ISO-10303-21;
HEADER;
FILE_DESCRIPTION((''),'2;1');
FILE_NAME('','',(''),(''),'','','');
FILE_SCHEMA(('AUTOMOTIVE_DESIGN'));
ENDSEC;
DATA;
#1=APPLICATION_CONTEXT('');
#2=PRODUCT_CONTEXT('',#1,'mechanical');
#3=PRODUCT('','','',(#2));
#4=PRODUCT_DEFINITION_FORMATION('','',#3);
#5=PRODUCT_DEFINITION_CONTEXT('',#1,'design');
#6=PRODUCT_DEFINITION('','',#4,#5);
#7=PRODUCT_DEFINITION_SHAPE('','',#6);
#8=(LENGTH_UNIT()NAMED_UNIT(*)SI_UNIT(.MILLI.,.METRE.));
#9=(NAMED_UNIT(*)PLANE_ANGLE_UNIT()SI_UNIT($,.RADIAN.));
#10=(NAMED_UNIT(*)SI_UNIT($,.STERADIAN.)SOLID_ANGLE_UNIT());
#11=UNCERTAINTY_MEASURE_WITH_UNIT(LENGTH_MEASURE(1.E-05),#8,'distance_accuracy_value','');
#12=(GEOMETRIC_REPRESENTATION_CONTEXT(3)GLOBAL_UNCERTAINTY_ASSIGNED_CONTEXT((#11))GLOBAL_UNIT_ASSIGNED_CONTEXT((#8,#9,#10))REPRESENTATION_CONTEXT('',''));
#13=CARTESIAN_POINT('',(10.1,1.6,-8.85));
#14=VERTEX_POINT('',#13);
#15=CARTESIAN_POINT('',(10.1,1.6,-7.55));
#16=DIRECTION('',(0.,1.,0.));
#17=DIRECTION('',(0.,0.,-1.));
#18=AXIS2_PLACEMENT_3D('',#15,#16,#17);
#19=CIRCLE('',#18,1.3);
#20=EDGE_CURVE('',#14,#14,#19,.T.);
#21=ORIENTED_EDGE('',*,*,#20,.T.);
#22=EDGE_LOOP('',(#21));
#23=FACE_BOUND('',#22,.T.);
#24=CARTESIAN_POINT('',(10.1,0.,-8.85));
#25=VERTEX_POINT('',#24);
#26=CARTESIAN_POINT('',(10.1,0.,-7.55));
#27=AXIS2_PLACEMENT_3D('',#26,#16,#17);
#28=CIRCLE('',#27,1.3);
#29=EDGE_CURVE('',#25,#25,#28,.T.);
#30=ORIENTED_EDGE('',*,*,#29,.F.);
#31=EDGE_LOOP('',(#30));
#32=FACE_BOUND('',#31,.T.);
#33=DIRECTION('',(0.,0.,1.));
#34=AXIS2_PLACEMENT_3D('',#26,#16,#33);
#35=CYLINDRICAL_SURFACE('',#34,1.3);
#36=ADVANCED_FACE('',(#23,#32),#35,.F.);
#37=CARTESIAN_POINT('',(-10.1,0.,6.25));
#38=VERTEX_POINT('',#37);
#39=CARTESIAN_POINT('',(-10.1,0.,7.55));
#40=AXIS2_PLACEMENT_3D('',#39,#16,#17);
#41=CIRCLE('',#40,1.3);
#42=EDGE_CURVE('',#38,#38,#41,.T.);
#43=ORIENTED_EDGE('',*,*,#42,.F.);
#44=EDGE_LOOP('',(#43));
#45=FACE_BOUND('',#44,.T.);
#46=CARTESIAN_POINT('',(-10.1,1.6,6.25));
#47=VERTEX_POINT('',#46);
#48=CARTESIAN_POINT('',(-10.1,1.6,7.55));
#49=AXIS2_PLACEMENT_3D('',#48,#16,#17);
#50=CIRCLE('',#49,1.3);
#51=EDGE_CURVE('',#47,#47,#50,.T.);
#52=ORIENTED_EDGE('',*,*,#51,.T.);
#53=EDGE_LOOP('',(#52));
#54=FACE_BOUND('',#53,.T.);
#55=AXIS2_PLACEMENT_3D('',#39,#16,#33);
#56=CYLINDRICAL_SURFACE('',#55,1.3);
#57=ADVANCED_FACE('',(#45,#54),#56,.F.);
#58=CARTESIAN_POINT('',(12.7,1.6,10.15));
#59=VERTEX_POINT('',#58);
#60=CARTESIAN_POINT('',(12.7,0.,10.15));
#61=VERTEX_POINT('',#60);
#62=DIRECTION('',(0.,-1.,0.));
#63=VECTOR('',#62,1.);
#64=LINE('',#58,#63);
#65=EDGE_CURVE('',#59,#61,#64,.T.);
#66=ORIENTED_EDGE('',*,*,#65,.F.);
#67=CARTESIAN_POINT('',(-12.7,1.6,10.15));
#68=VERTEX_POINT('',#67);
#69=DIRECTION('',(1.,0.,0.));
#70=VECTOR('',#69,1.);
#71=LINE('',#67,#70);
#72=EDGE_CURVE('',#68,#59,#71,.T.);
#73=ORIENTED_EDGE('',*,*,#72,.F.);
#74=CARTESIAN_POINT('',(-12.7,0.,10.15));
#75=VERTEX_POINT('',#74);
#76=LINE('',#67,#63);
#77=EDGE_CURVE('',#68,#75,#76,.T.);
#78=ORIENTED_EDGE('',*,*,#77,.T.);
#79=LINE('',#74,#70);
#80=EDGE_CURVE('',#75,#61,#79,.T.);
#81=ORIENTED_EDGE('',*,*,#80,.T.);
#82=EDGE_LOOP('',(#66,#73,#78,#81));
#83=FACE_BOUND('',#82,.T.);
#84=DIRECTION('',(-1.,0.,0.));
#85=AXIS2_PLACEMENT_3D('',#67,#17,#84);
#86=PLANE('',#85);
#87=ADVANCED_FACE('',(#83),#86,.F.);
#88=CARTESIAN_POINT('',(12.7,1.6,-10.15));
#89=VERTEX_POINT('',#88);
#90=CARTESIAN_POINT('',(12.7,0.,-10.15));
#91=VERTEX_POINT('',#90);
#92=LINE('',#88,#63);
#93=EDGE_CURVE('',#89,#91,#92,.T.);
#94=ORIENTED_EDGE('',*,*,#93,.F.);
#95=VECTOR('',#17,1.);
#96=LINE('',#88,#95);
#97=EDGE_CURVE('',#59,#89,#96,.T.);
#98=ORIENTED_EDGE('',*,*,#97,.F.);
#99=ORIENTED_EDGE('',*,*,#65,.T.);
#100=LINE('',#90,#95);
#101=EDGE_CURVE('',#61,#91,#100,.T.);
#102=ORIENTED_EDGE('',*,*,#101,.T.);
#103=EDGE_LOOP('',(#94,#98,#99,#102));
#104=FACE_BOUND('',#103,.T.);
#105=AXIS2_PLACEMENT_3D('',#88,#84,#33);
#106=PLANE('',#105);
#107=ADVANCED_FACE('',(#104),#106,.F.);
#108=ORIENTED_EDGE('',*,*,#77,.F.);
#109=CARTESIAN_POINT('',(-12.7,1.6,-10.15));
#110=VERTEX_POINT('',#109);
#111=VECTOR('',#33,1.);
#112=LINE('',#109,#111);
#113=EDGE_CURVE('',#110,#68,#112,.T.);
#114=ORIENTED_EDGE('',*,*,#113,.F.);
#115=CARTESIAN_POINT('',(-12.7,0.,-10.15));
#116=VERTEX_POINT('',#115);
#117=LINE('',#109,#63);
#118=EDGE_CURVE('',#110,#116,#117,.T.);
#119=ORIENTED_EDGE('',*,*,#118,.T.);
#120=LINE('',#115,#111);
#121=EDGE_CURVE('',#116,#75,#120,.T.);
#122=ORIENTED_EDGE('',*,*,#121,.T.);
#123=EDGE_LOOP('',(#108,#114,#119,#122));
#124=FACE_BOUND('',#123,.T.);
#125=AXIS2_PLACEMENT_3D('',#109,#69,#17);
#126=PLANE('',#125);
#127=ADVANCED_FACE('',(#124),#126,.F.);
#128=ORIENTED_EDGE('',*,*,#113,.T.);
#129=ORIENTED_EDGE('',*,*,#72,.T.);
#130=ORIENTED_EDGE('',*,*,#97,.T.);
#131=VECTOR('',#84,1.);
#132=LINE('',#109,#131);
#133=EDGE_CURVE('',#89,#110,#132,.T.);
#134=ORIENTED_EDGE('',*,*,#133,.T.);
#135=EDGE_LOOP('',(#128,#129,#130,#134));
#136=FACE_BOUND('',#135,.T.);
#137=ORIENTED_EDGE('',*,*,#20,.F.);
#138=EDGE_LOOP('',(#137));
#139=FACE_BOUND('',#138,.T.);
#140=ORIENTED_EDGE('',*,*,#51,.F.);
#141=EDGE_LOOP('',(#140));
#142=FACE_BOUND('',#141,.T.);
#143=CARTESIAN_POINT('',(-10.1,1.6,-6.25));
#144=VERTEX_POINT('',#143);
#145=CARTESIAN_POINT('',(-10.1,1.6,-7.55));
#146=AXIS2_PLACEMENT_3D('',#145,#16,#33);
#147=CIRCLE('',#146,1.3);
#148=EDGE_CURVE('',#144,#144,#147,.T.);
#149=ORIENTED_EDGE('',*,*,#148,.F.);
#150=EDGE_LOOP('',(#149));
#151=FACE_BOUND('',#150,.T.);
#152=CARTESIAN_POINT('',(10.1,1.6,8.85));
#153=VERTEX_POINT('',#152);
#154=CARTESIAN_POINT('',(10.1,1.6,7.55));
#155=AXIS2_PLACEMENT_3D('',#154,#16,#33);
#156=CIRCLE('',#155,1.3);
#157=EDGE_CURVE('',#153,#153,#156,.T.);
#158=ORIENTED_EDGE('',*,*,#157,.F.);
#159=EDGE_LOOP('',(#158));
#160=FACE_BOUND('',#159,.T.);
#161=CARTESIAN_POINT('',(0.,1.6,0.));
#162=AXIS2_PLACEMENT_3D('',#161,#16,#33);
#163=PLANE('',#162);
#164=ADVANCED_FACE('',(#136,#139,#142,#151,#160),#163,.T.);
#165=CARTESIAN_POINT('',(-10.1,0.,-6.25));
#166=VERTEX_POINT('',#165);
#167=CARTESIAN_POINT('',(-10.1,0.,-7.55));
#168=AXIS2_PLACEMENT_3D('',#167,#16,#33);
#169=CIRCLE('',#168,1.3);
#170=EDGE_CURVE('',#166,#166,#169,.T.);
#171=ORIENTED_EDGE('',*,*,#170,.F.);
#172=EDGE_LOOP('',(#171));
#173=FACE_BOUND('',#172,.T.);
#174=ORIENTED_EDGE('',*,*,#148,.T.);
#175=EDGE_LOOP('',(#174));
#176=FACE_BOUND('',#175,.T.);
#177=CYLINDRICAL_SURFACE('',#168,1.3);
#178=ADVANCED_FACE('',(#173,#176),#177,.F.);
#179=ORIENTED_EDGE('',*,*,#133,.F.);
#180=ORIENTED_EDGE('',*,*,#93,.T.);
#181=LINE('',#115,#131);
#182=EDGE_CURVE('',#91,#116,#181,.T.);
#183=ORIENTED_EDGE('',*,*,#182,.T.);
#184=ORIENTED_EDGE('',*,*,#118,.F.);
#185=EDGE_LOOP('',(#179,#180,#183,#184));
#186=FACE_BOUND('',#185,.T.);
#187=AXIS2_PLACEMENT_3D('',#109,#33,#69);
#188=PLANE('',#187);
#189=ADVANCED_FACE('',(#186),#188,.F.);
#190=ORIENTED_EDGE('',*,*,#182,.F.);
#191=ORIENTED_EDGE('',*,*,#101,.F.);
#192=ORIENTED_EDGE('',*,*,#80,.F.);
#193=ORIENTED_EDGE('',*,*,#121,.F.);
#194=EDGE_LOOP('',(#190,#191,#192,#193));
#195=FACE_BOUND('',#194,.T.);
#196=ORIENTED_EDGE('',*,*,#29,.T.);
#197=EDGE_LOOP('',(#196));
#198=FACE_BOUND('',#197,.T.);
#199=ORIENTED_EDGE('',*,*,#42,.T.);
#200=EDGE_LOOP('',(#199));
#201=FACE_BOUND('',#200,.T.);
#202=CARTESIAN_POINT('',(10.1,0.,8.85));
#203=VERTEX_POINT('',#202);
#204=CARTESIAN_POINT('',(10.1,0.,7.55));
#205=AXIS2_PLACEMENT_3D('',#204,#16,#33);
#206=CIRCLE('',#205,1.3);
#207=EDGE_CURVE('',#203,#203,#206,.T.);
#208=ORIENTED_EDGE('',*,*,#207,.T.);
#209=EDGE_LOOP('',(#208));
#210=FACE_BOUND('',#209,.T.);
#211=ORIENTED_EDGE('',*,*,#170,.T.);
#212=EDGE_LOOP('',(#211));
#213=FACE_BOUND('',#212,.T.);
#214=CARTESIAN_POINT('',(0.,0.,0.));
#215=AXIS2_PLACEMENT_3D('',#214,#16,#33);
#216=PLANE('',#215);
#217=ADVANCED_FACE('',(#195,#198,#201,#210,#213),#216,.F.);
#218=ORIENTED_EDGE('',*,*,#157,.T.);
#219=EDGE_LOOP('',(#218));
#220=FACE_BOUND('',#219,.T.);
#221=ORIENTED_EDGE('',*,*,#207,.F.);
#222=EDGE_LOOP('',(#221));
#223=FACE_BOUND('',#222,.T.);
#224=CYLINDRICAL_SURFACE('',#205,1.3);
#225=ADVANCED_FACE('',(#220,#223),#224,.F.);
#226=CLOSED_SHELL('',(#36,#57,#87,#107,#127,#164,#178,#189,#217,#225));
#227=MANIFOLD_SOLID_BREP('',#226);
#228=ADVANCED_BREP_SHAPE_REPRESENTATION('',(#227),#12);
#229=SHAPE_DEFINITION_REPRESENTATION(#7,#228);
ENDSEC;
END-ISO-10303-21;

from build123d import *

# Parameters (mm, degrees)
SKETCH_1_W          = 25.4
SKETCH_1_H          = 20.3
EXTRUDE_1_DEPTH     = 1.6
SKETCH_3_R          = 1.3
CUT_EXTRUDE_1_DEPTH = 1.6


with BuildPart() as part:
    # Эскиз1 → Бобышка-Вытянуть1 (new body)
    with BuildSketch(Plane(origin=(0, 0, 0), x_dir=(1, 0, 0), z_dir=(0, 1, 0))):
        Rectangle(SKETCH_1_W, SKETCH_1_H)
    extrude(amount=EXTRUDE_1_DEPTH)

    # Эскиз3 → Вырез-Вытянуть1 (cut)
    with BuildSketch(Plane(origin=(0, 1.6, 0), x_dir=(1, 0, 0), z_dir=(0, 1, 0))):
        with Locations(Location((-10.1, 7.55, 0), (0, 0, 270))):
            Circle(SKETCH_3_R)
        with Locations(Location((10.1, 7.55, 0), (0, 0, 90))):
            Circle(SKETCH_3_R)
        with Locations(Location((10.1, -7.55, 0), (0, 0, 270))):
            Circle(SKETCH_3_R)
        with Locations(Location((-10.1, -7.55, 0), (0, 0, 90))):
            Circle(SKETCH_3_R)
    extrude(amount=-CUT_EXTRUDE_1_DEPTH, mode=Mode.SUBTRACT)


solid = part.part
